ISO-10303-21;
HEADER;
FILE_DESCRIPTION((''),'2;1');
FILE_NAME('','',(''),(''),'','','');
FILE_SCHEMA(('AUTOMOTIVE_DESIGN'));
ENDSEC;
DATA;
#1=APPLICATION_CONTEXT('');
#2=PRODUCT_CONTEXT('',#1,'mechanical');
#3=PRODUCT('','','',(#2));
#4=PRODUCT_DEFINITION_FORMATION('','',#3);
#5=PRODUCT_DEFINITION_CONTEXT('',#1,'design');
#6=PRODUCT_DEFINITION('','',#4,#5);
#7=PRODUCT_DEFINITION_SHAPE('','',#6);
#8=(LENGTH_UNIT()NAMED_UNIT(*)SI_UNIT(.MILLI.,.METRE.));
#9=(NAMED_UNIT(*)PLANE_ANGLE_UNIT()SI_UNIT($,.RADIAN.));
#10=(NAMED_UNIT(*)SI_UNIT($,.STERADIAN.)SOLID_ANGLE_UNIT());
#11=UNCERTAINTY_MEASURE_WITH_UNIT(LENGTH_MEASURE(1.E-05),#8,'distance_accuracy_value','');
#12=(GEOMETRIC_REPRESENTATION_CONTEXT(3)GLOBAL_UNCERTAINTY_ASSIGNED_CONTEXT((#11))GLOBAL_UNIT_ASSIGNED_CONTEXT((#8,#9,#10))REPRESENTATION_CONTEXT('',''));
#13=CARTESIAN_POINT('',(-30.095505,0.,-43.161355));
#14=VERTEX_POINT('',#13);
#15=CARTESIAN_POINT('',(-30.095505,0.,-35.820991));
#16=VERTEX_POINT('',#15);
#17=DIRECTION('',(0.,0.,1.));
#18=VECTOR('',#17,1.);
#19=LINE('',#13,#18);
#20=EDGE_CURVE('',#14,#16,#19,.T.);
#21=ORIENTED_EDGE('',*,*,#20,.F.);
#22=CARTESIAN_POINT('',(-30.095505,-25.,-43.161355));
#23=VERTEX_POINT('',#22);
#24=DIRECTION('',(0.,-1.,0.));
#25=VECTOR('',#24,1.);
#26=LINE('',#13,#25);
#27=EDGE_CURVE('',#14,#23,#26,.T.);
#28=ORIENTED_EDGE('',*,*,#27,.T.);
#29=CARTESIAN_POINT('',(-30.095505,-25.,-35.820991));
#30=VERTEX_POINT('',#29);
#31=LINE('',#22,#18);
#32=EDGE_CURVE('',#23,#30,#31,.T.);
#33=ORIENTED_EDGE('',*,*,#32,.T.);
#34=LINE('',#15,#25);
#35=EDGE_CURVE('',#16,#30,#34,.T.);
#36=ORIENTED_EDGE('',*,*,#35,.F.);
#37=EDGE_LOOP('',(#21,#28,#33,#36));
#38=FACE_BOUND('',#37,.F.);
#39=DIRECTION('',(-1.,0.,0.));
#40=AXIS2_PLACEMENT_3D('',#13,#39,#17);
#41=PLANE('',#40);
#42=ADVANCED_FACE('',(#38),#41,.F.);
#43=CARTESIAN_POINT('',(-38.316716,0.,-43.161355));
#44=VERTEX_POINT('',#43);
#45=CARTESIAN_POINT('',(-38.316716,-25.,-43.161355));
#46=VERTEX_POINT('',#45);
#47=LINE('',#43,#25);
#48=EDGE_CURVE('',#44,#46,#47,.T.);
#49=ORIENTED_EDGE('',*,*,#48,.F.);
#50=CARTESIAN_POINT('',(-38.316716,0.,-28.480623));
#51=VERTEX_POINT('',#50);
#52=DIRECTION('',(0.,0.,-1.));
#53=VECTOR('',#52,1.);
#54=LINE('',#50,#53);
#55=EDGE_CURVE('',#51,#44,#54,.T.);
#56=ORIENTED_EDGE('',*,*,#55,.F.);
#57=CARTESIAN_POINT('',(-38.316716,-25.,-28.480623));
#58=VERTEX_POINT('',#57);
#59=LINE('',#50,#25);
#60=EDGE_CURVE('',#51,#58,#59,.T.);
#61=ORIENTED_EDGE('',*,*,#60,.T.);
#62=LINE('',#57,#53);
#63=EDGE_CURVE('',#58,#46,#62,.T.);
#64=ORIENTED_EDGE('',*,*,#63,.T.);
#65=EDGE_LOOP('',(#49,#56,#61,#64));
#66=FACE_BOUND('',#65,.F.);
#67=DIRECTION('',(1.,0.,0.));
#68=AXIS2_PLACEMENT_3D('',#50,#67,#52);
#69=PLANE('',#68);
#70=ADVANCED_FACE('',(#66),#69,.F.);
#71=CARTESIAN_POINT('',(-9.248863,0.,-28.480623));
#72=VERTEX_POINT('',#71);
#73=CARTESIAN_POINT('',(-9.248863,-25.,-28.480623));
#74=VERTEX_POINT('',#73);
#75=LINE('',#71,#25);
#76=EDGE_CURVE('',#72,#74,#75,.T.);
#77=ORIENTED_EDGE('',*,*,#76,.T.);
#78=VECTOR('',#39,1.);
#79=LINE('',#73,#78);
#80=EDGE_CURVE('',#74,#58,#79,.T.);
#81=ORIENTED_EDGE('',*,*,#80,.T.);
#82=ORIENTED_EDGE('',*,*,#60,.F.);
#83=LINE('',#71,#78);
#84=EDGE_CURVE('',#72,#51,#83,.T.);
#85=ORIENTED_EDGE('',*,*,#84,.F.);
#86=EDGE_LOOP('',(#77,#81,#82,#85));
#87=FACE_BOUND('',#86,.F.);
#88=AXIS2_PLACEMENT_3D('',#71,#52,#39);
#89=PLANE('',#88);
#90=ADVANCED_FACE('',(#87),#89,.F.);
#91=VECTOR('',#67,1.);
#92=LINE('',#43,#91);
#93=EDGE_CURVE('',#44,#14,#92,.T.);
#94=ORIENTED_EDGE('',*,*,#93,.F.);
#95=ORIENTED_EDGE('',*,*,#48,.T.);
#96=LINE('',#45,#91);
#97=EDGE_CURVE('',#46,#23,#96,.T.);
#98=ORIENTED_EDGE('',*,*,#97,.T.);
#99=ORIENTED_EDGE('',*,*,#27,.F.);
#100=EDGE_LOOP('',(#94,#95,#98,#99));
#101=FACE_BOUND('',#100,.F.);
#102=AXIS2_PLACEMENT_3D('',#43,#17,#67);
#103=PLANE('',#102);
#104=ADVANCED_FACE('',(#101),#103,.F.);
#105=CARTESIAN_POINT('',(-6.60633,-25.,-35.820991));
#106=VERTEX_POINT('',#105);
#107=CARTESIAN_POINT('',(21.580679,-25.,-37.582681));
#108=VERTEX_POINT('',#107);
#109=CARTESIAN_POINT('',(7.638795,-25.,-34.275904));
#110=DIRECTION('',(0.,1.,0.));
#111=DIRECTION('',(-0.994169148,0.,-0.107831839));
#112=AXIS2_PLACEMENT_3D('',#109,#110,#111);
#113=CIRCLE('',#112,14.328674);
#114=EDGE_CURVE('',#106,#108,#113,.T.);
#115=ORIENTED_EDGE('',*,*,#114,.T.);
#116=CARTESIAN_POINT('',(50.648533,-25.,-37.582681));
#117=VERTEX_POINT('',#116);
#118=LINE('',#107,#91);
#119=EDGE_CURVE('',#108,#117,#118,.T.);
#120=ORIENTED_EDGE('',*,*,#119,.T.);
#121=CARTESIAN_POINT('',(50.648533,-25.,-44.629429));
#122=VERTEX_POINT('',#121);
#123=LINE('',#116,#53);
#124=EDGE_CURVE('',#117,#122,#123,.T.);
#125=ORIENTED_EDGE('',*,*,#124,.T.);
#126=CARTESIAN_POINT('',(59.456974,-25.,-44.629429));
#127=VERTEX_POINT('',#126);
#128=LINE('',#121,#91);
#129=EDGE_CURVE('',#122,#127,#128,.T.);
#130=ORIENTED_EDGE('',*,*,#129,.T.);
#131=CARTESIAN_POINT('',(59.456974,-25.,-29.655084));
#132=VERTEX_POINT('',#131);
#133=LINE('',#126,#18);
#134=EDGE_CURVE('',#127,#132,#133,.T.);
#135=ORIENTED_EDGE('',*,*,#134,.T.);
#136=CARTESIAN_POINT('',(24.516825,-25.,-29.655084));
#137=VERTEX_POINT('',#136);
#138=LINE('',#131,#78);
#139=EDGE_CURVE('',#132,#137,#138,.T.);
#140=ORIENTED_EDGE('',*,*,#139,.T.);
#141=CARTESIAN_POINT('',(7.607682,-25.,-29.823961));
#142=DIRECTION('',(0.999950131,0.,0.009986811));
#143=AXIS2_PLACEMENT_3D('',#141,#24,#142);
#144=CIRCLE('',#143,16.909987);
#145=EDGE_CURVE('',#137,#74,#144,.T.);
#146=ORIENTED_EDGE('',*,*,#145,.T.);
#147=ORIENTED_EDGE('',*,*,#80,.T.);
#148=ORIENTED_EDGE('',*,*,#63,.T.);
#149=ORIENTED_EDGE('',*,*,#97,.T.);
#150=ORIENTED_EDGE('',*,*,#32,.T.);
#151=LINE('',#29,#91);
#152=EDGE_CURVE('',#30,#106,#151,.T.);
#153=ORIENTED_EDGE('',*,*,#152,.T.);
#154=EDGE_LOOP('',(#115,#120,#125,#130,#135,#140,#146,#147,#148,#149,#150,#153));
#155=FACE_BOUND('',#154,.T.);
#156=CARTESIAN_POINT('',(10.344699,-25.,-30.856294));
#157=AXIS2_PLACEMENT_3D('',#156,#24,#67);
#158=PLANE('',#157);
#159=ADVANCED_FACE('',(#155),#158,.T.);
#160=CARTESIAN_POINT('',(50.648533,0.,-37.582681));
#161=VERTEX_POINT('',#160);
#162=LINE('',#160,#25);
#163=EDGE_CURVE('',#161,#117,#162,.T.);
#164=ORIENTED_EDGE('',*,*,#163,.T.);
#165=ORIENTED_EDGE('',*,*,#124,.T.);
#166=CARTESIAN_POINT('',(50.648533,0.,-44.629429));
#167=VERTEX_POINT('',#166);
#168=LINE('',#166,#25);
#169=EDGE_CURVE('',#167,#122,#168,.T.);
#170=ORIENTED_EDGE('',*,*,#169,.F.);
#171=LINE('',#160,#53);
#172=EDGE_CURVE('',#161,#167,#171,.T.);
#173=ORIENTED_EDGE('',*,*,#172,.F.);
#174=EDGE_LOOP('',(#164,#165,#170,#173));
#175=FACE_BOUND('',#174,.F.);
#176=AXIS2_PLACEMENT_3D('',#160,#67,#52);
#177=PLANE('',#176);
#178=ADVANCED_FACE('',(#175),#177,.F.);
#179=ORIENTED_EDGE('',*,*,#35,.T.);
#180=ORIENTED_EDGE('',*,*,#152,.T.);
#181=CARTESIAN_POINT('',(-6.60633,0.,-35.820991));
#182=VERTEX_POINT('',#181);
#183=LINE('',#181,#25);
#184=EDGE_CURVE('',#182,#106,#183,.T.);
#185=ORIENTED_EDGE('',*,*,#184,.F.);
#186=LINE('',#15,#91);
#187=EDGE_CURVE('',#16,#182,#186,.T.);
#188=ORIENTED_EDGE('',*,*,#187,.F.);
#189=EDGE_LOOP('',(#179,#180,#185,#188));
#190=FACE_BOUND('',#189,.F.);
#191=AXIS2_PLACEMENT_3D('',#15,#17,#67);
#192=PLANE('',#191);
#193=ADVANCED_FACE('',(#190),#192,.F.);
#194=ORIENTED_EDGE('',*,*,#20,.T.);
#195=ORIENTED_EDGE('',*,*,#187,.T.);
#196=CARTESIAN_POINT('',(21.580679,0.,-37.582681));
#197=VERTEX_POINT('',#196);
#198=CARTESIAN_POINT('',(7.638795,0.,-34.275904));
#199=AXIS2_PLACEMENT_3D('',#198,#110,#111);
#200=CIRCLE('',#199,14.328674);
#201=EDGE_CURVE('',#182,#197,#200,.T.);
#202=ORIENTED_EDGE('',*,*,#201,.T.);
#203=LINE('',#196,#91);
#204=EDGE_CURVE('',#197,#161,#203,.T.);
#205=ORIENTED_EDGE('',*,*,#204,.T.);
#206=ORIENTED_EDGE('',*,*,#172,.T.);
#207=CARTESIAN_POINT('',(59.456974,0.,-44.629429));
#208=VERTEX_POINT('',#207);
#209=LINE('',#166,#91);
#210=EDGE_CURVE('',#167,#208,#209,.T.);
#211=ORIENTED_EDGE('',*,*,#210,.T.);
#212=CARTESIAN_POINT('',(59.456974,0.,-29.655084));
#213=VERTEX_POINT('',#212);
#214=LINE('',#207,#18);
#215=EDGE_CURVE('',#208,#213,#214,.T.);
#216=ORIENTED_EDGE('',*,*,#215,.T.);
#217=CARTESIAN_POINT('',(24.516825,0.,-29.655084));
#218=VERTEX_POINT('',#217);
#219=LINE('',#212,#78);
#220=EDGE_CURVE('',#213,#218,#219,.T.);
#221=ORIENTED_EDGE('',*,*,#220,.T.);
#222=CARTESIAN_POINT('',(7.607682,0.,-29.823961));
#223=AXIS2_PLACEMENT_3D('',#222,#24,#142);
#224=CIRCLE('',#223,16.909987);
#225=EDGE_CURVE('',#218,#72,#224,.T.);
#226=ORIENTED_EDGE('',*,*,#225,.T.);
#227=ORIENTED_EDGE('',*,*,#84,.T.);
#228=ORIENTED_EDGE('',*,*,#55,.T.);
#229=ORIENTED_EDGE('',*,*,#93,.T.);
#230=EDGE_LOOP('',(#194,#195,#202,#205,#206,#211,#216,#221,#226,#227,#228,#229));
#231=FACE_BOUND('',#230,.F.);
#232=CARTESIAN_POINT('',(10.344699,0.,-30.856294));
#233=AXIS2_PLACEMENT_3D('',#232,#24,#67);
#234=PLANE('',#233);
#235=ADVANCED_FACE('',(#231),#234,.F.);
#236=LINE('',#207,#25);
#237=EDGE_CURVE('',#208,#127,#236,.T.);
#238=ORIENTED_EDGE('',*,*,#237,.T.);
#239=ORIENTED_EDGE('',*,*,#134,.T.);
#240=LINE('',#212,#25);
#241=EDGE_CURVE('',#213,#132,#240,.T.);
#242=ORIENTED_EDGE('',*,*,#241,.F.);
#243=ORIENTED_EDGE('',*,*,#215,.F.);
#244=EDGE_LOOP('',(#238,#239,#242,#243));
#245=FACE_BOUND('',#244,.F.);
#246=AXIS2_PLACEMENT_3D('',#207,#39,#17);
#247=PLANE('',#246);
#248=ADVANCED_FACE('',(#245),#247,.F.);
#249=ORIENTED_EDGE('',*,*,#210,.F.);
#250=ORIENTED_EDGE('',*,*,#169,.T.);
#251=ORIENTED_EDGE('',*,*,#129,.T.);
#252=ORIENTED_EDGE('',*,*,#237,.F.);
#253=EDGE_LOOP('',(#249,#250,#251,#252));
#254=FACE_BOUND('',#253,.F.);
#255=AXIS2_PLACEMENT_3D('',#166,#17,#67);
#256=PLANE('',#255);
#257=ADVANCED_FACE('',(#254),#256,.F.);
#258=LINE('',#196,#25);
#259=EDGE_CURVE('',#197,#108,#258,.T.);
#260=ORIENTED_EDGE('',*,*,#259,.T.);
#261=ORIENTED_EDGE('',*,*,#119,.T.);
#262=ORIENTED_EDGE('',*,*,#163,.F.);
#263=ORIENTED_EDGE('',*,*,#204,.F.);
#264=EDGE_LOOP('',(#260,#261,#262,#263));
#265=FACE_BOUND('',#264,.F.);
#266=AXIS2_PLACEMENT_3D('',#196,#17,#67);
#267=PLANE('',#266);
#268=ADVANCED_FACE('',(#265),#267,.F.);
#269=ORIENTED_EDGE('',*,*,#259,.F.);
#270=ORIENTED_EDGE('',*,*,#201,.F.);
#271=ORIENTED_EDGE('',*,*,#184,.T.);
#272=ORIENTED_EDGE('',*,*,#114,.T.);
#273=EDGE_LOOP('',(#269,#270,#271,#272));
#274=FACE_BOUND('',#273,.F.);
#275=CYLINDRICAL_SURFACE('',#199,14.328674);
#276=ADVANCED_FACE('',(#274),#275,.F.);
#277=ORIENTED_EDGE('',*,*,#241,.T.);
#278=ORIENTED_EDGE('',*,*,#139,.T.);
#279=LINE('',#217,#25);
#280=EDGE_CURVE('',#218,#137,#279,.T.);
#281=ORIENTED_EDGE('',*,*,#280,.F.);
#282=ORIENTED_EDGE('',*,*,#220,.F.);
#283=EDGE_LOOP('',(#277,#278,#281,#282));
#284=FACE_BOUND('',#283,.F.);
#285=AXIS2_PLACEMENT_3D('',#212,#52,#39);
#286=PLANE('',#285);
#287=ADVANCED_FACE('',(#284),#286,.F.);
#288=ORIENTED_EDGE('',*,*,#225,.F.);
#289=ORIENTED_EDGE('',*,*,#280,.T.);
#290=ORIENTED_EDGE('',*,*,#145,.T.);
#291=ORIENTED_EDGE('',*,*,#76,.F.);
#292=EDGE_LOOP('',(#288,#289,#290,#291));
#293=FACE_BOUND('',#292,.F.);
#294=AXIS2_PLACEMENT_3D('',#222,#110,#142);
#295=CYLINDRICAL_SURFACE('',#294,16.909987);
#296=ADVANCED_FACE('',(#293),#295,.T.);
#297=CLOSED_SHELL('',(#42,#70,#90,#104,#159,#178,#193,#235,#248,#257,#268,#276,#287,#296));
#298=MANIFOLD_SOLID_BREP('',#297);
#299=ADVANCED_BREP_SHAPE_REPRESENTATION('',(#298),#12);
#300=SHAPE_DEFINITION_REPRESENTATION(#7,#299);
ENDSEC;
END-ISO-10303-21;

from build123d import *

# Parameters (mm, degrees)
F1_DEPTH = 25


with BuildPart() as f1:
    # F0 (on Front) → F1 (new body)
    with BuildSketch(Plane.XZ):
        with BuildLine():
            Line((50.648533, -37.582681), (50.648533, -44.629429))
            Line((50.648533, -44.629429), (59.456974, -44.629429))
            Line((59.456974, -44.629429), (59.456974, -29.655084))
            Line((59.456974, -29.655084), (24.516825, -29.655084))
            ThreePointArc((24.516825, -29.655084), (8.195501, -12.924194), (-9.248863, -28.480623))
            Line((-9.248863, -28.480623), (-38.316716, -28.480623))
            Line((-38.316716, -28.480623), (-38.316716, -43.161355))
            Line((-38.316716, -43.161355), (-30.095505, -43.161355))
            Line((-30.095505, -43.161355), (-30.095505, -35.820991))
            Line((-30.095505, -35.820991), (-6.60633, -35.820991))
            ThreePointArc((-6.60633, -35.820991), (8.532595, -19.975134), (21.580679, -37.582681))
            Line((21.580679, -37.582681), (50.648533, -37.582681))
        make_face()
    extrude(amount=F1_DEPTH)


solid = f1.part
